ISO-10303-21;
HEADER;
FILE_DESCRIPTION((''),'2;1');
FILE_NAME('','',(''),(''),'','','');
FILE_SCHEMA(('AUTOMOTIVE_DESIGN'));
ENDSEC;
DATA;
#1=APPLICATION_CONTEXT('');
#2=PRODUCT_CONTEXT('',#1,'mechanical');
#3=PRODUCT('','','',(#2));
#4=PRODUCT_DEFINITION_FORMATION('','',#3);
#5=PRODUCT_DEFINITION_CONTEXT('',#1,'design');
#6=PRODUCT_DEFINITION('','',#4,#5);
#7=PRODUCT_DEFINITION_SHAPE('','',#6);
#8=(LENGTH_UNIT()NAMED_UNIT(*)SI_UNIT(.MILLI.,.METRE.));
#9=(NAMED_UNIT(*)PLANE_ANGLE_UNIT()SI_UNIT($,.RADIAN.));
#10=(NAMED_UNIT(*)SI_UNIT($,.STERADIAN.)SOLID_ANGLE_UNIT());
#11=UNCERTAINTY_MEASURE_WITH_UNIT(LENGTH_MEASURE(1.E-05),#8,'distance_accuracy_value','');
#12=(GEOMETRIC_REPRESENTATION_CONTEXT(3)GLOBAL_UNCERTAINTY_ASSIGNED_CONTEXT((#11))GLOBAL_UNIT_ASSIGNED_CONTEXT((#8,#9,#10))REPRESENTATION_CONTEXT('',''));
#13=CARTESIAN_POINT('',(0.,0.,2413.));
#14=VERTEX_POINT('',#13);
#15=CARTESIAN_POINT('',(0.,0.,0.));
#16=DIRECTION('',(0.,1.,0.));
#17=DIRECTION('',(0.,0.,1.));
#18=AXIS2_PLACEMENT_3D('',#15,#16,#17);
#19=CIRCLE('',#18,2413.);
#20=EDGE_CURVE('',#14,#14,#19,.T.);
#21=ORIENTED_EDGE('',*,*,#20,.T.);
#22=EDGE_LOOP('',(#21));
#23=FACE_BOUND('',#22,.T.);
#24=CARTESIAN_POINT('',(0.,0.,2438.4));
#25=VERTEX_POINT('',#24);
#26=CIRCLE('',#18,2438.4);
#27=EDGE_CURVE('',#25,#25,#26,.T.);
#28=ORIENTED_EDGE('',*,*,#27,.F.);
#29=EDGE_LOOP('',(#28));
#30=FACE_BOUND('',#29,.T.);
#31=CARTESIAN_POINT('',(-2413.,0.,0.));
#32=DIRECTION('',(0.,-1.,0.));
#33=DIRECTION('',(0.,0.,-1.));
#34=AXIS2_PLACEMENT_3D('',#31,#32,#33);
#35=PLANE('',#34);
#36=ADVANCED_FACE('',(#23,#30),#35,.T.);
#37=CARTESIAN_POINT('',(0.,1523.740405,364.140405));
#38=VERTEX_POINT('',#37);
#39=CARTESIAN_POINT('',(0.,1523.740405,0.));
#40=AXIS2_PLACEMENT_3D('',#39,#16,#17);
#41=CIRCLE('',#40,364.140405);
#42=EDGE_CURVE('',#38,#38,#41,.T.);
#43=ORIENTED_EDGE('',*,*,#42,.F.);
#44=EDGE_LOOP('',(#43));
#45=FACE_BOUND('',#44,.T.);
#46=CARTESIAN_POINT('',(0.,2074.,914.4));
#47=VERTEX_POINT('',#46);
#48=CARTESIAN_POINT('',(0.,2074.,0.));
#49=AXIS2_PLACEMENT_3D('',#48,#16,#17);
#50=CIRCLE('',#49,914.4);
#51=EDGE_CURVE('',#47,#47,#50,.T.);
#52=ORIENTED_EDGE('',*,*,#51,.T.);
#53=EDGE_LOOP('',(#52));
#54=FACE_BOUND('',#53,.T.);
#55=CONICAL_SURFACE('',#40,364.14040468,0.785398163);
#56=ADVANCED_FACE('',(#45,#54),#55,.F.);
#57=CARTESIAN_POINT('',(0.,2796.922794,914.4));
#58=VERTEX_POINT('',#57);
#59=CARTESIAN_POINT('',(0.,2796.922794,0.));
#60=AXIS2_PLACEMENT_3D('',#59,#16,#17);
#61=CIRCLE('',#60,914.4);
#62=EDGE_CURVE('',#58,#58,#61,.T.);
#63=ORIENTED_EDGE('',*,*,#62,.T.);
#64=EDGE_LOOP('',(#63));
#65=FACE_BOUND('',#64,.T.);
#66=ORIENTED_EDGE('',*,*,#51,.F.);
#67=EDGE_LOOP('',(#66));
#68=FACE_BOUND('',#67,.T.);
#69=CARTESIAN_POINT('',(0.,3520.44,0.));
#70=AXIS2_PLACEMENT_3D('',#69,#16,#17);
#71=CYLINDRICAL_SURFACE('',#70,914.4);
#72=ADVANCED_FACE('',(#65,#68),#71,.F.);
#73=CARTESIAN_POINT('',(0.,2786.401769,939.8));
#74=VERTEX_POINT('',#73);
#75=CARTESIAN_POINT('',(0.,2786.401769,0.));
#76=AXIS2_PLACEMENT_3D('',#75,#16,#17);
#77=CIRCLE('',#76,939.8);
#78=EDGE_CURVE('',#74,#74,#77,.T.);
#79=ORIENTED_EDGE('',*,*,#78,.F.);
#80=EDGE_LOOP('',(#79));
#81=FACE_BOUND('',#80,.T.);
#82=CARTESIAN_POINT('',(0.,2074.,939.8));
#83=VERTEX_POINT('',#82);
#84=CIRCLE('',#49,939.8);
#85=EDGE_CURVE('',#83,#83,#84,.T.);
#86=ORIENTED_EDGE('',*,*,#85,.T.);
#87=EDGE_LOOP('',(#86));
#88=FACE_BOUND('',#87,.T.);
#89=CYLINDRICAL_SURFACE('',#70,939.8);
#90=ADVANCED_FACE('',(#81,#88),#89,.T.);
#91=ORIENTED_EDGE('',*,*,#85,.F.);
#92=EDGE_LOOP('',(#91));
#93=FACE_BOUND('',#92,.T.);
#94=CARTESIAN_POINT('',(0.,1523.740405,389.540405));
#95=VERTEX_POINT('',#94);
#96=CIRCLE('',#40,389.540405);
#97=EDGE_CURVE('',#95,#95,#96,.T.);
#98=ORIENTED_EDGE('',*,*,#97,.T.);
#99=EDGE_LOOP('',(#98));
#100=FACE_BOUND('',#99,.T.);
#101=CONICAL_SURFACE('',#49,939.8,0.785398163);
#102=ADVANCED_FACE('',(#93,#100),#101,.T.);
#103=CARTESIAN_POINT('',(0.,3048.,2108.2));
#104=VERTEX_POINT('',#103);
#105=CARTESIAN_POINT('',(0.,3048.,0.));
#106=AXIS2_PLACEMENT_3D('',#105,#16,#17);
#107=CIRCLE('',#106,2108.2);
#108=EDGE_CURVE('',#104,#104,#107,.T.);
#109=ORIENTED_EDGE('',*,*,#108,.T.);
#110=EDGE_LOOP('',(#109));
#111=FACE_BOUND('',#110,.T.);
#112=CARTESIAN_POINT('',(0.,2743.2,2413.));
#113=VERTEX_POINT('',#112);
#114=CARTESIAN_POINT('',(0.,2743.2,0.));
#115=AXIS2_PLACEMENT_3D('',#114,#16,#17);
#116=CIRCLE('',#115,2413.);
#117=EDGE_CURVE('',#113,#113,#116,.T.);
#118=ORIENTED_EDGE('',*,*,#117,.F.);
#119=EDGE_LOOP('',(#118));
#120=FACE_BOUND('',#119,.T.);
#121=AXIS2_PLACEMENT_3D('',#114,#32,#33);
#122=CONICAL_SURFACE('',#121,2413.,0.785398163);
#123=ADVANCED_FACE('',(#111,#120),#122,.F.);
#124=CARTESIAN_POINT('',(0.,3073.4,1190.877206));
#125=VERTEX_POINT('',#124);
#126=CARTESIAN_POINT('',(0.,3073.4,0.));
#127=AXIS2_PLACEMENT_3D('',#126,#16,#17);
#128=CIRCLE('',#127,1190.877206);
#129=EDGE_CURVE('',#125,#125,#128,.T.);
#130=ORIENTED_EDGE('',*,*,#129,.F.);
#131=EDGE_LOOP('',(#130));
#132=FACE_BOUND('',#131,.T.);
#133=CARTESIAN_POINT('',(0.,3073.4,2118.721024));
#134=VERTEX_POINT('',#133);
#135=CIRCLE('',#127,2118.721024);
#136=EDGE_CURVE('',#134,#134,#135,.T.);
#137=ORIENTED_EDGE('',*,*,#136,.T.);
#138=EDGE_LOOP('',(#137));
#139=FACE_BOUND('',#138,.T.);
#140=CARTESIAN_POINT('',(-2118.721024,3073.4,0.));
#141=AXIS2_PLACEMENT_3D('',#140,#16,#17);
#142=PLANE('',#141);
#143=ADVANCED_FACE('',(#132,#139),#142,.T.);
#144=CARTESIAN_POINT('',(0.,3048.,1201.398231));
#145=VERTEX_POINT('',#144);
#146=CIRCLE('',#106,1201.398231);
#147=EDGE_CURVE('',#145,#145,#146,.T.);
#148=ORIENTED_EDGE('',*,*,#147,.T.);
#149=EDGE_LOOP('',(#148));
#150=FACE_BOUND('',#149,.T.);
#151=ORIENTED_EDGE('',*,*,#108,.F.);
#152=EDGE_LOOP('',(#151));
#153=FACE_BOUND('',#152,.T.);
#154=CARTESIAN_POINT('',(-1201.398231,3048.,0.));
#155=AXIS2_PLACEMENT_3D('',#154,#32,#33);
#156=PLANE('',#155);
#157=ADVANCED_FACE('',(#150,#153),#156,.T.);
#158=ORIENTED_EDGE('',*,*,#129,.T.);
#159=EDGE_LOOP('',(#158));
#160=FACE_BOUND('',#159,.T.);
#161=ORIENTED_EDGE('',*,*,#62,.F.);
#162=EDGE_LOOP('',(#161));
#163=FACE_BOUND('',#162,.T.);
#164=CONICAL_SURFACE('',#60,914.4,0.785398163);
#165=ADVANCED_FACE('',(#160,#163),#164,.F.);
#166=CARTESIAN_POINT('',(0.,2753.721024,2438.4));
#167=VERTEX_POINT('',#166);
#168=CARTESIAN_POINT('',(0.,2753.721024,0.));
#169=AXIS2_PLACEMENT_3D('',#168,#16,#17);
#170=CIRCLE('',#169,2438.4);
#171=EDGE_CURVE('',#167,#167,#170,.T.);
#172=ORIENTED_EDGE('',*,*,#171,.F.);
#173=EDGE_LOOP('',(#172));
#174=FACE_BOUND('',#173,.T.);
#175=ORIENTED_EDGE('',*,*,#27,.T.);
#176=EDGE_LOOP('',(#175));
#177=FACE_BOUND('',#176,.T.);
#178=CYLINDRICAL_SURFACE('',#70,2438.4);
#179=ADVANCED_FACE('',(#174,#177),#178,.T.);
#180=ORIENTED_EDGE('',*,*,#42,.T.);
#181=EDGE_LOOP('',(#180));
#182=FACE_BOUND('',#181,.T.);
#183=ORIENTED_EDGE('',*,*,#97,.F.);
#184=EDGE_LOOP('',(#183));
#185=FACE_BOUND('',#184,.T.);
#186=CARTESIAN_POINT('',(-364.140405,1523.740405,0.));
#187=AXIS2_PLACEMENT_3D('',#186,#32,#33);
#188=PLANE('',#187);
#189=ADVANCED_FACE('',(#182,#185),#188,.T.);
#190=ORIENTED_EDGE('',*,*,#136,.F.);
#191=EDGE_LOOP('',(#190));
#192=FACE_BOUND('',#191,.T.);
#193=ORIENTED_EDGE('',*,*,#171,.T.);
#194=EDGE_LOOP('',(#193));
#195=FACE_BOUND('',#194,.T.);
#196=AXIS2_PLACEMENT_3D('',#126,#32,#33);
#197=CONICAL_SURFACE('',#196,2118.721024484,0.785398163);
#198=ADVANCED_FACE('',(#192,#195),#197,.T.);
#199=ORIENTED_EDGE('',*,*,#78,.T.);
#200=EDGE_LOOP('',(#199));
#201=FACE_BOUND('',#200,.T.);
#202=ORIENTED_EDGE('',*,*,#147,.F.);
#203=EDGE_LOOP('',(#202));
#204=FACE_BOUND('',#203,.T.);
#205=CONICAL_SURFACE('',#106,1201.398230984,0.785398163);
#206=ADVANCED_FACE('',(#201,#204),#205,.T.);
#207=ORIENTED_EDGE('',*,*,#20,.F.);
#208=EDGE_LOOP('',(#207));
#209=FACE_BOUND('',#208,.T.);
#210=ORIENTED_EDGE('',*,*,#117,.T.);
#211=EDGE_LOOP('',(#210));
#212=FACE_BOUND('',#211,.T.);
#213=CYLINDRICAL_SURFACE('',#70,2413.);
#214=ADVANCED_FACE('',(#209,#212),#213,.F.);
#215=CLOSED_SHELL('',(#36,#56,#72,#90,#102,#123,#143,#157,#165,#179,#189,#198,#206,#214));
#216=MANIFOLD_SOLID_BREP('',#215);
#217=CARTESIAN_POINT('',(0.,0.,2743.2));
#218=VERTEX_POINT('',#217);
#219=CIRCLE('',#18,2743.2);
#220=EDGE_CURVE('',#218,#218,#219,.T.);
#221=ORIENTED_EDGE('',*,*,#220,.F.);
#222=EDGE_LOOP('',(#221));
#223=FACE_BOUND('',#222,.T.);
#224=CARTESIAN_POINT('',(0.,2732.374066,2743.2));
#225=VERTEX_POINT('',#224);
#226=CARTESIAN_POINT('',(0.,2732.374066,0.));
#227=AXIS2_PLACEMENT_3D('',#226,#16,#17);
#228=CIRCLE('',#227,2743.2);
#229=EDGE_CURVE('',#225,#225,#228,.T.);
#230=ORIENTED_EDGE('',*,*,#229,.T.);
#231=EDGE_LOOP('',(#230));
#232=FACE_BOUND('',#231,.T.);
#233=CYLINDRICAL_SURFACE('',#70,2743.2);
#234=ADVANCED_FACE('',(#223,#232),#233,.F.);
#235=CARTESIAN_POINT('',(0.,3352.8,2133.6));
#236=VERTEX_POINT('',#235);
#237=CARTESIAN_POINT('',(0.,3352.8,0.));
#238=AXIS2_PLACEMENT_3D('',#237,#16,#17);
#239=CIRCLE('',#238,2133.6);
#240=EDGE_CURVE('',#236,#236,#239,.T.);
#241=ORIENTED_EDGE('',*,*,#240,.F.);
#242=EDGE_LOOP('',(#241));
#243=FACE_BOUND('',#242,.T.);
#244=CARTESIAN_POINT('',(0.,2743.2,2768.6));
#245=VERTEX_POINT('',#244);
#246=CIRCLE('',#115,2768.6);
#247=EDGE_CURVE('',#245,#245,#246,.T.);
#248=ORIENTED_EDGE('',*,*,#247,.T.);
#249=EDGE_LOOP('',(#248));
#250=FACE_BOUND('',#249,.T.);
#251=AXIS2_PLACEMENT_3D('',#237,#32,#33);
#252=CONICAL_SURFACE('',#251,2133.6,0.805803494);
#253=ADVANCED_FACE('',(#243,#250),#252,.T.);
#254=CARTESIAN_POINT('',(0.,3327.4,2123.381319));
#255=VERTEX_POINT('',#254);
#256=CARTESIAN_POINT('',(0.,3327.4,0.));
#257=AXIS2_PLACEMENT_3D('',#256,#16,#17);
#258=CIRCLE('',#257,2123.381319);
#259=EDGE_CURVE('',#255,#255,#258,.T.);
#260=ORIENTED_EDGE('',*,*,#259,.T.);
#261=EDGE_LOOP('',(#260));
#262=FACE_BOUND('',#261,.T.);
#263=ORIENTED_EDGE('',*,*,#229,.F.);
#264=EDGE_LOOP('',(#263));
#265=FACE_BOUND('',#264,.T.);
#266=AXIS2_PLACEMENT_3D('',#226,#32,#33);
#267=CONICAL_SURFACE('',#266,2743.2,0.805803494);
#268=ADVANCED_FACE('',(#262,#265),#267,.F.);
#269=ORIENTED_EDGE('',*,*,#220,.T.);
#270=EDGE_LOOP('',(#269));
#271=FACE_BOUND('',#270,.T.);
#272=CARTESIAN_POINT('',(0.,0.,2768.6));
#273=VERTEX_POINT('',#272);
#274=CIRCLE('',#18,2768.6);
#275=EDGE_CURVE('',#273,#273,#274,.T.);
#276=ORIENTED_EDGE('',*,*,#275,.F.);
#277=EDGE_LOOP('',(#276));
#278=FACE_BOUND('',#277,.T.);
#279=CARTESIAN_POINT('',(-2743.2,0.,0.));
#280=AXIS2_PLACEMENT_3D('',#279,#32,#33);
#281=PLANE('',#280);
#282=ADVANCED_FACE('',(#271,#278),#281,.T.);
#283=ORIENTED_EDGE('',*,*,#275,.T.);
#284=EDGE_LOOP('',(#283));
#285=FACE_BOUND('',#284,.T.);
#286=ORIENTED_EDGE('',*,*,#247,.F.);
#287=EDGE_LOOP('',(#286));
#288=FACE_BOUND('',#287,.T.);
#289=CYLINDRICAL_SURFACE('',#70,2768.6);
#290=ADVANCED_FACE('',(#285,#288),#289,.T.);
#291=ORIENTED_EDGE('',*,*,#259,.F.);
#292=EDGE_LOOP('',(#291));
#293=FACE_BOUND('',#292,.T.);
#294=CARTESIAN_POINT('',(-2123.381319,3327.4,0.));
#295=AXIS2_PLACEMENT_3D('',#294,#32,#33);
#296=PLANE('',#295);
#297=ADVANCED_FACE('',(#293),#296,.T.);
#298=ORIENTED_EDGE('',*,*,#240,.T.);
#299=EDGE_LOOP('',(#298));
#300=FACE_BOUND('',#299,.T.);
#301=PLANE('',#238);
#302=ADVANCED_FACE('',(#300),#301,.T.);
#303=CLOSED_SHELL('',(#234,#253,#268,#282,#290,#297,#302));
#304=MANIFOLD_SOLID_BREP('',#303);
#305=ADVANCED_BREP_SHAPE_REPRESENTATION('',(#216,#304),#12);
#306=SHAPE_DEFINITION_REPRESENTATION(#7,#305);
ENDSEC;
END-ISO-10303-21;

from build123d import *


with BuildPart() as part:
    # Sketch1 → Revolve1 (revolve)
    with BuildSketch(Plane.XY):
        Polygon((-2438.4, 0), (-2438.4, 2753.721024484), (-2118.721024484, 3073.4), (-1190.8772065, 3073.4), (-914.4, 2796.9227935), (-914.4, 2074), (-364.14040468, 1523.74040468), (-389.54040468, 1523.74040468), (-939.8, 2074), (-939.8, 2786.401769016), (-1201.398230984, 3048), (-2108.2, 3048), (-2413, 2743.2), (-2413, 0), align=None)
    revolve(axis=Axis((0, 3520.44, 0), (0, -1, 0)))


with BuildPart() as body_2:
    # Sketch2 → Revolve2 (revolve)
    with BuildSketch(Plane.XY):
        Polygon((-2743.2, 0), (-2768.6, 0), (-2768.6, 2743.2), (-2133.6, 3352.8), (0, 3352.8), (0, 3327.4), (-2123.381318695, 3327.4), (-2743.2, 2732.374065947), align=None)
    revolve(axis=Axis((0, 3520.44, 0), (0, -1, 0)))


solid = Compound([part.part, body_2.part])
